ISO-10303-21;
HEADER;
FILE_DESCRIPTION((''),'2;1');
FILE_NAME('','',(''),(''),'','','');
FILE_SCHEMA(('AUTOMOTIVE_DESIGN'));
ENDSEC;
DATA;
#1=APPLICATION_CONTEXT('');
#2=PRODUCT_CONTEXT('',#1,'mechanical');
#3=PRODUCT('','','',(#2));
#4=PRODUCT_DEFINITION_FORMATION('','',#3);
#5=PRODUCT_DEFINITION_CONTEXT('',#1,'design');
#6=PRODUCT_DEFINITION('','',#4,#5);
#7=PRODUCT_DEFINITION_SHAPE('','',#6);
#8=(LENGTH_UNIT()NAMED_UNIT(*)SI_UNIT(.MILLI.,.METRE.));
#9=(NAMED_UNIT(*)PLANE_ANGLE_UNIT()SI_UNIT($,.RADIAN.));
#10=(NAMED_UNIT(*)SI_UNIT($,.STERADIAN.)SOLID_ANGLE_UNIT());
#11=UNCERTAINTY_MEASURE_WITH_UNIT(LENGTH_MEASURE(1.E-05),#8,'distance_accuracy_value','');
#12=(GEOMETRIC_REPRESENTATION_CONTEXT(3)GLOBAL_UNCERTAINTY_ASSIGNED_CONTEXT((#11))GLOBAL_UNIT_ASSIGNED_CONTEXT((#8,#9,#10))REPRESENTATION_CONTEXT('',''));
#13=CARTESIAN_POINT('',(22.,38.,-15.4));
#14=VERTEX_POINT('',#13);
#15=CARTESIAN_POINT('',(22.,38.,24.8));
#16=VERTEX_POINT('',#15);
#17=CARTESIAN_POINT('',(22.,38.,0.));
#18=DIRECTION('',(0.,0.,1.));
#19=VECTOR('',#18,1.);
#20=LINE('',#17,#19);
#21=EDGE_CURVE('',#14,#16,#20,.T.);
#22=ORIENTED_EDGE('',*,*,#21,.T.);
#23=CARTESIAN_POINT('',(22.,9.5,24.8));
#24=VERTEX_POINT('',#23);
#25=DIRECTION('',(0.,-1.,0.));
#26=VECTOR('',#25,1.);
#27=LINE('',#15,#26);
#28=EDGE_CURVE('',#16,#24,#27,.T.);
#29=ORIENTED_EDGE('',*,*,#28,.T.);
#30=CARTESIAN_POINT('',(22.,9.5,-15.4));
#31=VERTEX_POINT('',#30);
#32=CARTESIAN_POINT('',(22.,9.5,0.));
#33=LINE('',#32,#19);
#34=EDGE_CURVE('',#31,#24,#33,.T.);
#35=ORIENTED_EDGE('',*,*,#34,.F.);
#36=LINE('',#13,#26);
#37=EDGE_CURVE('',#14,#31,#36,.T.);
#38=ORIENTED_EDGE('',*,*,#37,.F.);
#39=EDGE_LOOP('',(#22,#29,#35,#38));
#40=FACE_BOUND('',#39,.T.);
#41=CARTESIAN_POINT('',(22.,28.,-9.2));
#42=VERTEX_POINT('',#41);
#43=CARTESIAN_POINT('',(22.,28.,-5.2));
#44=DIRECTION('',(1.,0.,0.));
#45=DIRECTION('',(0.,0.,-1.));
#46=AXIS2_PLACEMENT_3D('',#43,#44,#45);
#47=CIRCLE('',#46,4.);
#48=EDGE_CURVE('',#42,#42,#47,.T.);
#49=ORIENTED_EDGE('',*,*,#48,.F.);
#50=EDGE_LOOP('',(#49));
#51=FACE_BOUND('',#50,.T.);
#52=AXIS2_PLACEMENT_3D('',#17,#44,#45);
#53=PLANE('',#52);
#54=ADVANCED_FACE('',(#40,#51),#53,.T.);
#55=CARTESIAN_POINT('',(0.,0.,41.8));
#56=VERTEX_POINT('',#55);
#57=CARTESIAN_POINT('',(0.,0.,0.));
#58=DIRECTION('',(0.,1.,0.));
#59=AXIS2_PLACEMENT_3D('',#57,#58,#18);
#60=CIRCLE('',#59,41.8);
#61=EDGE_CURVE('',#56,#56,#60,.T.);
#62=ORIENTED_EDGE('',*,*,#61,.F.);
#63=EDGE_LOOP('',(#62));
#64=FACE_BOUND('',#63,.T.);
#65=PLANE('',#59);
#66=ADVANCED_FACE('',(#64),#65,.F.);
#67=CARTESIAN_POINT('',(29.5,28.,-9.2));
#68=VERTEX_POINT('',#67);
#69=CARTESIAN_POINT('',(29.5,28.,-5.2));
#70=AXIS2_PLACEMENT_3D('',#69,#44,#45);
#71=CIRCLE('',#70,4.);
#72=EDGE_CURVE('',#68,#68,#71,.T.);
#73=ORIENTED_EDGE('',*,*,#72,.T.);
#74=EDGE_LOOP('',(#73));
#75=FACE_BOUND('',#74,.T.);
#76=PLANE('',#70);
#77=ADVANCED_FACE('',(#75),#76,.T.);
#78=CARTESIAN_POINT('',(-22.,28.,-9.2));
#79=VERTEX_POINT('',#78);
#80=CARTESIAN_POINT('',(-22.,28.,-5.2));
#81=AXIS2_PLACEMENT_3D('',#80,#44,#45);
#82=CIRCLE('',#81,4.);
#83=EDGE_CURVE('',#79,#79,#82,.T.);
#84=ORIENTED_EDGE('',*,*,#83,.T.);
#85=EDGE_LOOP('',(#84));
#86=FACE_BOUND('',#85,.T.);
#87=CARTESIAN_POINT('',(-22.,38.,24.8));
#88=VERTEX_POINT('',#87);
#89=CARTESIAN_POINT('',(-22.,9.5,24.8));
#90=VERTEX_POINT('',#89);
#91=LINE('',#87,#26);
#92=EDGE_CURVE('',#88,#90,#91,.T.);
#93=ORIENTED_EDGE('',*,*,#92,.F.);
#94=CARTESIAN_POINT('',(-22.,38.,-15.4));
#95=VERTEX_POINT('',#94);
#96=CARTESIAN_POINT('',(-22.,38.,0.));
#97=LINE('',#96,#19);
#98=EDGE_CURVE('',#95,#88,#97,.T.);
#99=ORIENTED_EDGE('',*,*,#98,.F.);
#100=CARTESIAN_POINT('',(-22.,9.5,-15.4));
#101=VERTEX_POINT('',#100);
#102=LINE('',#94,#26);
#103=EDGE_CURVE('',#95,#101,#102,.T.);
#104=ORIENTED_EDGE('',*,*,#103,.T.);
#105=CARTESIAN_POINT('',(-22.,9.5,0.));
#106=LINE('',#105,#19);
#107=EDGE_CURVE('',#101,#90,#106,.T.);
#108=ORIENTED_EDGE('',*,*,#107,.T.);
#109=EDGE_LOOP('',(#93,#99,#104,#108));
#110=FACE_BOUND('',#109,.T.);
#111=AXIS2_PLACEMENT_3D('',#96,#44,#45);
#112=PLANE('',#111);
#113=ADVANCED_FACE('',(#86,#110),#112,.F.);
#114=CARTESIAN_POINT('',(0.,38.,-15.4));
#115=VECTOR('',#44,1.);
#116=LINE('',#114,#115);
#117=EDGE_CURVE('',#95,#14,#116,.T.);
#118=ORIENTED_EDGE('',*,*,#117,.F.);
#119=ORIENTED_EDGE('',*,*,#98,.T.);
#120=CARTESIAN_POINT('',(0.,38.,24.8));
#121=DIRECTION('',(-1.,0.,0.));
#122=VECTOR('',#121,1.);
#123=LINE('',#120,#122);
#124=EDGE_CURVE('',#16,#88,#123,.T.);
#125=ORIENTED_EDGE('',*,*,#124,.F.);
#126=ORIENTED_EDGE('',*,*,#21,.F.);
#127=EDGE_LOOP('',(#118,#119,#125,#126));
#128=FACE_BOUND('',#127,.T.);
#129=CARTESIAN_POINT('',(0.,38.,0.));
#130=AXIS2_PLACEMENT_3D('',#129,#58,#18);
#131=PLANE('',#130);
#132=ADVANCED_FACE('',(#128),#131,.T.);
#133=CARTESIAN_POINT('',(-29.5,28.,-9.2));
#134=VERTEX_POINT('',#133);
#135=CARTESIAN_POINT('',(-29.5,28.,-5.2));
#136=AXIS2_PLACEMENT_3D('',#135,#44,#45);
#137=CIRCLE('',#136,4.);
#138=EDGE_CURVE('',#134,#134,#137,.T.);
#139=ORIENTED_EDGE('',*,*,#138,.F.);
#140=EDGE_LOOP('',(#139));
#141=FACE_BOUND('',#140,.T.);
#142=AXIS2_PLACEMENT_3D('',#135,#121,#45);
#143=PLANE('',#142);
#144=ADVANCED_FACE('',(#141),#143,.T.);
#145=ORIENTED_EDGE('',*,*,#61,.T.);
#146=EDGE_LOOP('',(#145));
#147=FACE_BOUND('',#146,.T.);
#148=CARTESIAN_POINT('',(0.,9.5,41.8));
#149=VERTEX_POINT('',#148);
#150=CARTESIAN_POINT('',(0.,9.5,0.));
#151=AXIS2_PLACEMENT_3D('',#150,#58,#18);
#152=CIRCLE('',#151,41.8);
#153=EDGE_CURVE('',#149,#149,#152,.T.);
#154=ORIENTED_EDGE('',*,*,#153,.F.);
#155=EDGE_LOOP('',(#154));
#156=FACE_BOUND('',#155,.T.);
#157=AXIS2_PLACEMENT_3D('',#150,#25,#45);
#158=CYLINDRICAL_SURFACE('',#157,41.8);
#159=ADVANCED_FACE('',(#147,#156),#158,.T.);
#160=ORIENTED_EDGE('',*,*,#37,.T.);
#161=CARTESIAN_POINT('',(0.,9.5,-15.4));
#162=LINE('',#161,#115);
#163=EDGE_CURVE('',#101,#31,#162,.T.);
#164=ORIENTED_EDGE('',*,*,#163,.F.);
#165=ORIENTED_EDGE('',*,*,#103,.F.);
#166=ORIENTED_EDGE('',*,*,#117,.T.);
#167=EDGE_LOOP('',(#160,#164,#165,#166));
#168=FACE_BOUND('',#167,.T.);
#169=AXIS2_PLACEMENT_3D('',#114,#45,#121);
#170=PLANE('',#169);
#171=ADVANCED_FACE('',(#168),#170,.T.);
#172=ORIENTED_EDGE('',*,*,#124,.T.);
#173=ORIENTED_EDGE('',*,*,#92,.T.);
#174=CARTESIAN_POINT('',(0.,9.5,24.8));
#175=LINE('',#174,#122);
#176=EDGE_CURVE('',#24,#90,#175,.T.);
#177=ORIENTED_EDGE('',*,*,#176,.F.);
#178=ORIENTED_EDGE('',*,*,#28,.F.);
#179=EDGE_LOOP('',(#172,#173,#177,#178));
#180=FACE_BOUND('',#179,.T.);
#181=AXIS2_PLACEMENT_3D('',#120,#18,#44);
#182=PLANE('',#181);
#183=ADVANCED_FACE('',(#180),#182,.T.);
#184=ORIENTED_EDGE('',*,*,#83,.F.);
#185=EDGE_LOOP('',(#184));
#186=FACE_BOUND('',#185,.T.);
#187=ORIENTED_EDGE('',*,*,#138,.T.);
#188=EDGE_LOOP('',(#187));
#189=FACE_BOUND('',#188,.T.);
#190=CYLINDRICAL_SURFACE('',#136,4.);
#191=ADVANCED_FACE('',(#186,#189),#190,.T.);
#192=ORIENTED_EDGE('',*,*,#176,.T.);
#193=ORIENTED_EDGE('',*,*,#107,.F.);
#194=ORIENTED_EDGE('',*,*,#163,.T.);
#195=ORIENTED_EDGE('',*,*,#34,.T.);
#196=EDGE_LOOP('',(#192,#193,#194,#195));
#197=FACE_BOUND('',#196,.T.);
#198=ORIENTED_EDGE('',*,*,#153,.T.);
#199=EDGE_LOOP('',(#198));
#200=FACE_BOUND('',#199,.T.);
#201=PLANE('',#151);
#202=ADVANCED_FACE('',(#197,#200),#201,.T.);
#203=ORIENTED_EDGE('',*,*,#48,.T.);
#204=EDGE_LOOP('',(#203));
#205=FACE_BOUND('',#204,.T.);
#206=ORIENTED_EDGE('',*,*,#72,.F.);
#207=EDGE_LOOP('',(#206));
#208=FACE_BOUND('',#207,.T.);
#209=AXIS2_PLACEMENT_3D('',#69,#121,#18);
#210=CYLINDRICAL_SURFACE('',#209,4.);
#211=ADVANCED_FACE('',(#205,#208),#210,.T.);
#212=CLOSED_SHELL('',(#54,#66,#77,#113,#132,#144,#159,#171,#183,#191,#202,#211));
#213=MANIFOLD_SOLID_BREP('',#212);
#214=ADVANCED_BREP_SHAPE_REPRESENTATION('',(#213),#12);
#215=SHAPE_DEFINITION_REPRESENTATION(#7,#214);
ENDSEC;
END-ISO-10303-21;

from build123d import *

# Parameters (mm, degrees)
SKETCH1_R           = 41.8
BOSS_EXTRUDE1_DEPTH = 9.5
SKETCH2_W           = 44
SKETCH2_H           = 40.2
BOSS_EXTRUDE2_DEPTH = 28.5
SKETCH3_R           = 4
BOSS_EXTRUDE3_DEPTH = 7.5


with BuildPart() as part:
    # Sketch1 → Boss-Extrude1 (new body)
    with BuildSketch(Plane(origin=(0, 0, 0), x_dir=(1, 0, 0), z_dir=(0, 1, 0))):
        Circle(SKETCH1_R)
    extrude(amount=BOSS_EXTRUDE1_DEPTH)

    # Sketch2 → Boss-Extrude2 (add)
    with BuildSketch(Plane(origin=(0, 9.5, 0), x_dir=(1, 0, 0), z_dir=(0, 1, 0))):
        with Locations((0, -4.7)):
            Rectangle(SKETCH2_W, SKETCH2_H)
    extrude(amount=BOSS_EXTRUDE2_DEPTH)

    # Sketch3 → Boss-Extrude3 (add)
    with BuildSketch(Plane(origin=(22, 0, 0), x_dir=(0, 0, -1), z_dir=(1, 0, 0))):
        with Locations((5.2, 28)):
            Circle(SKETCH3_R)
    boss_extrude3 = extrude(amount=BOSS_EXTRUDE3_DEPTH)

    # Mirror2: Boss-Extrude3 across plane
    add(boss_extrude3.mirror(Plane(origin=(0, 0, 0), x_dir=(0, 0, 1), z_dir=(1, 0, 0))))


solid = part.part
